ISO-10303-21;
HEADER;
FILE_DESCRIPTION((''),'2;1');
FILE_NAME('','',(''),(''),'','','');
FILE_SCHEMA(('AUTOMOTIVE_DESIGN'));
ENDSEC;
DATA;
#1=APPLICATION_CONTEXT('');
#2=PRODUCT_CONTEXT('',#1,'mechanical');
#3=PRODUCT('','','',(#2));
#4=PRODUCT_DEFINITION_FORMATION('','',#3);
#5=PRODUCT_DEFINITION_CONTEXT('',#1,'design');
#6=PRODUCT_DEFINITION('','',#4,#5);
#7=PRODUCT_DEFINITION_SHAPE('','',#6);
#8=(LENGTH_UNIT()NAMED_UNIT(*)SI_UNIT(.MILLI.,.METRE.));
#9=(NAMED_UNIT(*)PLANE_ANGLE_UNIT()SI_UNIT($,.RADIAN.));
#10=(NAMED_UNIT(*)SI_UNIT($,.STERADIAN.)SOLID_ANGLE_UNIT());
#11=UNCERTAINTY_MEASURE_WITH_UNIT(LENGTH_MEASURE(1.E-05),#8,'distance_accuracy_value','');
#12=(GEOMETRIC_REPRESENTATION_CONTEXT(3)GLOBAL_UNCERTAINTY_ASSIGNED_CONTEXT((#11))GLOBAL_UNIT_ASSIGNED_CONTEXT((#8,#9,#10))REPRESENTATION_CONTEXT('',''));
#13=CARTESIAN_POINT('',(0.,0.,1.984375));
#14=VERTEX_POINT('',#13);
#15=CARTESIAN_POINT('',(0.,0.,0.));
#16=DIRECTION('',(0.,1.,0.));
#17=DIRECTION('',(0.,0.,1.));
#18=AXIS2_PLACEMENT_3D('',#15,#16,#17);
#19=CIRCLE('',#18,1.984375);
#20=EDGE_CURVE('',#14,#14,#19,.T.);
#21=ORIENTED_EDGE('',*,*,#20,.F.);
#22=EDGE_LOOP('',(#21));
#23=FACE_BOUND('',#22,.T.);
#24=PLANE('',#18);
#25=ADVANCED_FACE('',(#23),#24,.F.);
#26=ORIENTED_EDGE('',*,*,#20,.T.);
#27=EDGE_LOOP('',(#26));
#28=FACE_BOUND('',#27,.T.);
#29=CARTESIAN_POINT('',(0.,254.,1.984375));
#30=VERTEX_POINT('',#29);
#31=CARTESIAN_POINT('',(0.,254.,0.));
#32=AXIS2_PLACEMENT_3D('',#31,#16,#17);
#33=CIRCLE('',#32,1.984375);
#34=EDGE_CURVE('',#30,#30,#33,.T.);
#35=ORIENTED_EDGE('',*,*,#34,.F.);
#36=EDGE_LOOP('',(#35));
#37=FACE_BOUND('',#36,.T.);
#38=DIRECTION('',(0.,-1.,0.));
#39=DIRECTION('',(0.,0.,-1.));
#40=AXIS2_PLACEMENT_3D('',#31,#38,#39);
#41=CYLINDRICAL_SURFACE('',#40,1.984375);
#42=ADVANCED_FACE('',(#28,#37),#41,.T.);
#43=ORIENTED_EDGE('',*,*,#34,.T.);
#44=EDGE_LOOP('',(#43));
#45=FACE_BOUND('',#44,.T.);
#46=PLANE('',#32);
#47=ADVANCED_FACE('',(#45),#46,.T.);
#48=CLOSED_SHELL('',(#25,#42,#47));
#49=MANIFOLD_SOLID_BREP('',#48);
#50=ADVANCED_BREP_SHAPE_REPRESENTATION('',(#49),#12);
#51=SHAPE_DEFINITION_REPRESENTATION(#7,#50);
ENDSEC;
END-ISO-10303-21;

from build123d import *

# Parameters (mm, degrees)
SKETCH1_R           = 1.984375
BOSS_EXTRUDE1_DEPTH = 254


with BuildPart() as part:
    # Sketch1 → Boss-Extrude1 (new body)
    with BuildSketch(Plane(origin=(0, 0, 0), x_dir=(1, 0, 0), z_dir=(0, 1, 0))):
        with Locations(Location((0, 0, 0), (0, 0, 270))):
            Circle(SKETCH1_R)
    extrude(amount=BOSS_EXTRUDE1_DEPTH)


solid = part.part
